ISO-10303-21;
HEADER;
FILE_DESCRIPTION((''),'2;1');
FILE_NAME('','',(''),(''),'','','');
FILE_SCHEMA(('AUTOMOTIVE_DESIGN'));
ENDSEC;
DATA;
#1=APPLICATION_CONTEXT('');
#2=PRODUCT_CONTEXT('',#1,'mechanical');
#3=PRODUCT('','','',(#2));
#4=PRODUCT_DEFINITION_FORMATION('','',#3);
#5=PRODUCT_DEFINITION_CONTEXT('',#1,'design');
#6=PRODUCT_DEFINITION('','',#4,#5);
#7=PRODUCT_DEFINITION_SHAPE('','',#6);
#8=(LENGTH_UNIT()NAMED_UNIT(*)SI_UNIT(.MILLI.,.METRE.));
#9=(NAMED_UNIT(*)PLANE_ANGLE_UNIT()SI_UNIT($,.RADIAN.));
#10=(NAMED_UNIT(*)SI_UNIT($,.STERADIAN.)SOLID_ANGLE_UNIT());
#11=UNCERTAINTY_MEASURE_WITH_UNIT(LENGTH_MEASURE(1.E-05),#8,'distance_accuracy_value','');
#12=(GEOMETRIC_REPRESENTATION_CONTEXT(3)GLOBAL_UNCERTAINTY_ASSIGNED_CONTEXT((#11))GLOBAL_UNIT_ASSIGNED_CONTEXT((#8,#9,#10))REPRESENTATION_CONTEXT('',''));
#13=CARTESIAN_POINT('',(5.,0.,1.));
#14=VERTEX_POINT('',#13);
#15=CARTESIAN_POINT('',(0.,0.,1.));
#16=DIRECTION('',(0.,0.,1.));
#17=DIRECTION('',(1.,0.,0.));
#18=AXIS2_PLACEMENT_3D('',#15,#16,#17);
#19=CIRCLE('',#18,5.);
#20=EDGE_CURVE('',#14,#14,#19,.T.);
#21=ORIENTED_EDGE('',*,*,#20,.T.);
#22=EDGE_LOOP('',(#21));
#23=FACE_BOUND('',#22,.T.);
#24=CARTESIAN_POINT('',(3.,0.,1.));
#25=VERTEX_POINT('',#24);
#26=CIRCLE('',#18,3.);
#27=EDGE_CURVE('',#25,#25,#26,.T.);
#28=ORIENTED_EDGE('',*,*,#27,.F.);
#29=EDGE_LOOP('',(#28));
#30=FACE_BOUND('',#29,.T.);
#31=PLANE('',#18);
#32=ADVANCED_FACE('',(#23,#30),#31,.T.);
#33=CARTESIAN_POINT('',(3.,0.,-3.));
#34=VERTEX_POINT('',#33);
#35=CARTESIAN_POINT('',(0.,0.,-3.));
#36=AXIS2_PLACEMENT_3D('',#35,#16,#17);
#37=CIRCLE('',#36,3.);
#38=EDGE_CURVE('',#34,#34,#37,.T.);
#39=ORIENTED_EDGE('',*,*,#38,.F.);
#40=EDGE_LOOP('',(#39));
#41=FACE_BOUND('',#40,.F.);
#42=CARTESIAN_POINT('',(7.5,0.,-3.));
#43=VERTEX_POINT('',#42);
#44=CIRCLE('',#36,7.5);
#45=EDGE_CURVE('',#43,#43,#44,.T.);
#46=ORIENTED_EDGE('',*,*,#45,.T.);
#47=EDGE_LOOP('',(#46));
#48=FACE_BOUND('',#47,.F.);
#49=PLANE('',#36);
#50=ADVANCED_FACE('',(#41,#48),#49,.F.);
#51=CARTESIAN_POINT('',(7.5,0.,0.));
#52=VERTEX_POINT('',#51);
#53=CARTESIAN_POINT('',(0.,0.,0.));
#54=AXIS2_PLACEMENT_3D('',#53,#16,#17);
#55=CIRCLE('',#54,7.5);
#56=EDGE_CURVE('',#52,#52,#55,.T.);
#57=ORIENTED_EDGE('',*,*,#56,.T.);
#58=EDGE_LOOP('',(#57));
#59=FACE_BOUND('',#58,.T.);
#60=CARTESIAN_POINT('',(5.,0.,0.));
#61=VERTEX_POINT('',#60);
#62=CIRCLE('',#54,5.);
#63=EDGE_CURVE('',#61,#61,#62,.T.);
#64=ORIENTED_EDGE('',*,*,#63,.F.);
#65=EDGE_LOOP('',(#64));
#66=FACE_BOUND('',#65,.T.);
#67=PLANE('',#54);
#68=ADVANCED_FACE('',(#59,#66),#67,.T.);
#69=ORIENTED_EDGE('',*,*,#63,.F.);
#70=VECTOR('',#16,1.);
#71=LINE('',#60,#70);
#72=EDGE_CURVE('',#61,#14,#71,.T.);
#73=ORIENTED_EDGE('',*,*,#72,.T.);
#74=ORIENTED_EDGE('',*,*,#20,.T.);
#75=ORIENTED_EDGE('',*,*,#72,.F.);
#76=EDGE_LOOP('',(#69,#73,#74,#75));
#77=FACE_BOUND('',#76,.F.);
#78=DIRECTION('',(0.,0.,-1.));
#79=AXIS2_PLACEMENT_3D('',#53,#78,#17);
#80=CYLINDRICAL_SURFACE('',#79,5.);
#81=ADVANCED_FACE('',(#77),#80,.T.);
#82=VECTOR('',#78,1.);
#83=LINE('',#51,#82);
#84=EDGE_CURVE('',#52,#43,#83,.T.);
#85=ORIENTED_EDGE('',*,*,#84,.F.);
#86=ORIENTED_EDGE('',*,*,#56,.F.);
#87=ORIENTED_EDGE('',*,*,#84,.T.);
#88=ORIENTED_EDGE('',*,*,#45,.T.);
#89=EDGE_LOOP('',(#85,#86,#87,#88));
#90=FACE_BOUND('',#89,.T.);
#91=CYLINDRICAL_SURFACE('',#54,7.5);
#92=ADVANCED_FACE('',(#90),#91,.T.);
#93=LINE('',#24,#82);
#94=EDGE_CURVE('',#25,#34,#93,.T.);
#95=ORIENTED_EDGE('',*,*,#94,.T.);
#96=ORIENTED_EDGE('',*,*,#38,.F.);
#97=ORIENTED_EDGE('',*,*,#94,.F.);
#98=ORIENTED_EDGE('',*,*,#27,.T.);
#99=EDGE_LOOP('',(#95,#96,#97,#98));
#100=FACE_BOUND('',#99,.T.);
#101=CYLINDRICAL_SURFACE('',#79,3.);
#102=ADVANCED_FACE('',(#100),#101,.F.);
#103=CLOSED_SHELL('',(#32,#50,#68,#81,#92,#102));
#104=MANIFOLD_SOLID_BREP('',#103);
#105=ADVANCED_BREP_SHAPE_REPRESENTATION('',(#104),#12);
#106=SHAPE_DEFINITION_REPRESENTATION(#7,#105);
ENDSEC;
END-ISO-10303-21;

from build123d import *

# Parameters (mm, degrees)
SKETCH1_R           = 7.5
SKETCH1_R_2         = 3
BOSS_EXTRUDE1_DEPTH = 3
BOSS_EXTRUDE2_START = 1
SKETCH1_3_R         = 5
SKETCH1_3_R_2       = 3
BOSS_EXTRUDE2_DEPTH = 1


with BuildPart() as part:
    # Sketch1 → Boss-Extrude1 (new body)
    with BuildSketch(Plane.XY):
        Circle(SKETCH1_R)
        Circle(SKETCH1_R_2, mode=Mode.SUBTRACT)
    extrude(amount=-BOSS_EXTRUDE1_DEPTH)

    # Sketch1<3> → Boss-Extrude2 (add)
    with BuildSketch(Plane.XY.offset(BOSS_EXTRUDE2_START)):
        Circle(SKETCH1_3_R)
        Circle(SKETCH1_3_R_2, mode=Mode.SUBTRACT)
    extrude(amount=-BOSS_EXTRUDE2_DEPTH)


solid = part.part
